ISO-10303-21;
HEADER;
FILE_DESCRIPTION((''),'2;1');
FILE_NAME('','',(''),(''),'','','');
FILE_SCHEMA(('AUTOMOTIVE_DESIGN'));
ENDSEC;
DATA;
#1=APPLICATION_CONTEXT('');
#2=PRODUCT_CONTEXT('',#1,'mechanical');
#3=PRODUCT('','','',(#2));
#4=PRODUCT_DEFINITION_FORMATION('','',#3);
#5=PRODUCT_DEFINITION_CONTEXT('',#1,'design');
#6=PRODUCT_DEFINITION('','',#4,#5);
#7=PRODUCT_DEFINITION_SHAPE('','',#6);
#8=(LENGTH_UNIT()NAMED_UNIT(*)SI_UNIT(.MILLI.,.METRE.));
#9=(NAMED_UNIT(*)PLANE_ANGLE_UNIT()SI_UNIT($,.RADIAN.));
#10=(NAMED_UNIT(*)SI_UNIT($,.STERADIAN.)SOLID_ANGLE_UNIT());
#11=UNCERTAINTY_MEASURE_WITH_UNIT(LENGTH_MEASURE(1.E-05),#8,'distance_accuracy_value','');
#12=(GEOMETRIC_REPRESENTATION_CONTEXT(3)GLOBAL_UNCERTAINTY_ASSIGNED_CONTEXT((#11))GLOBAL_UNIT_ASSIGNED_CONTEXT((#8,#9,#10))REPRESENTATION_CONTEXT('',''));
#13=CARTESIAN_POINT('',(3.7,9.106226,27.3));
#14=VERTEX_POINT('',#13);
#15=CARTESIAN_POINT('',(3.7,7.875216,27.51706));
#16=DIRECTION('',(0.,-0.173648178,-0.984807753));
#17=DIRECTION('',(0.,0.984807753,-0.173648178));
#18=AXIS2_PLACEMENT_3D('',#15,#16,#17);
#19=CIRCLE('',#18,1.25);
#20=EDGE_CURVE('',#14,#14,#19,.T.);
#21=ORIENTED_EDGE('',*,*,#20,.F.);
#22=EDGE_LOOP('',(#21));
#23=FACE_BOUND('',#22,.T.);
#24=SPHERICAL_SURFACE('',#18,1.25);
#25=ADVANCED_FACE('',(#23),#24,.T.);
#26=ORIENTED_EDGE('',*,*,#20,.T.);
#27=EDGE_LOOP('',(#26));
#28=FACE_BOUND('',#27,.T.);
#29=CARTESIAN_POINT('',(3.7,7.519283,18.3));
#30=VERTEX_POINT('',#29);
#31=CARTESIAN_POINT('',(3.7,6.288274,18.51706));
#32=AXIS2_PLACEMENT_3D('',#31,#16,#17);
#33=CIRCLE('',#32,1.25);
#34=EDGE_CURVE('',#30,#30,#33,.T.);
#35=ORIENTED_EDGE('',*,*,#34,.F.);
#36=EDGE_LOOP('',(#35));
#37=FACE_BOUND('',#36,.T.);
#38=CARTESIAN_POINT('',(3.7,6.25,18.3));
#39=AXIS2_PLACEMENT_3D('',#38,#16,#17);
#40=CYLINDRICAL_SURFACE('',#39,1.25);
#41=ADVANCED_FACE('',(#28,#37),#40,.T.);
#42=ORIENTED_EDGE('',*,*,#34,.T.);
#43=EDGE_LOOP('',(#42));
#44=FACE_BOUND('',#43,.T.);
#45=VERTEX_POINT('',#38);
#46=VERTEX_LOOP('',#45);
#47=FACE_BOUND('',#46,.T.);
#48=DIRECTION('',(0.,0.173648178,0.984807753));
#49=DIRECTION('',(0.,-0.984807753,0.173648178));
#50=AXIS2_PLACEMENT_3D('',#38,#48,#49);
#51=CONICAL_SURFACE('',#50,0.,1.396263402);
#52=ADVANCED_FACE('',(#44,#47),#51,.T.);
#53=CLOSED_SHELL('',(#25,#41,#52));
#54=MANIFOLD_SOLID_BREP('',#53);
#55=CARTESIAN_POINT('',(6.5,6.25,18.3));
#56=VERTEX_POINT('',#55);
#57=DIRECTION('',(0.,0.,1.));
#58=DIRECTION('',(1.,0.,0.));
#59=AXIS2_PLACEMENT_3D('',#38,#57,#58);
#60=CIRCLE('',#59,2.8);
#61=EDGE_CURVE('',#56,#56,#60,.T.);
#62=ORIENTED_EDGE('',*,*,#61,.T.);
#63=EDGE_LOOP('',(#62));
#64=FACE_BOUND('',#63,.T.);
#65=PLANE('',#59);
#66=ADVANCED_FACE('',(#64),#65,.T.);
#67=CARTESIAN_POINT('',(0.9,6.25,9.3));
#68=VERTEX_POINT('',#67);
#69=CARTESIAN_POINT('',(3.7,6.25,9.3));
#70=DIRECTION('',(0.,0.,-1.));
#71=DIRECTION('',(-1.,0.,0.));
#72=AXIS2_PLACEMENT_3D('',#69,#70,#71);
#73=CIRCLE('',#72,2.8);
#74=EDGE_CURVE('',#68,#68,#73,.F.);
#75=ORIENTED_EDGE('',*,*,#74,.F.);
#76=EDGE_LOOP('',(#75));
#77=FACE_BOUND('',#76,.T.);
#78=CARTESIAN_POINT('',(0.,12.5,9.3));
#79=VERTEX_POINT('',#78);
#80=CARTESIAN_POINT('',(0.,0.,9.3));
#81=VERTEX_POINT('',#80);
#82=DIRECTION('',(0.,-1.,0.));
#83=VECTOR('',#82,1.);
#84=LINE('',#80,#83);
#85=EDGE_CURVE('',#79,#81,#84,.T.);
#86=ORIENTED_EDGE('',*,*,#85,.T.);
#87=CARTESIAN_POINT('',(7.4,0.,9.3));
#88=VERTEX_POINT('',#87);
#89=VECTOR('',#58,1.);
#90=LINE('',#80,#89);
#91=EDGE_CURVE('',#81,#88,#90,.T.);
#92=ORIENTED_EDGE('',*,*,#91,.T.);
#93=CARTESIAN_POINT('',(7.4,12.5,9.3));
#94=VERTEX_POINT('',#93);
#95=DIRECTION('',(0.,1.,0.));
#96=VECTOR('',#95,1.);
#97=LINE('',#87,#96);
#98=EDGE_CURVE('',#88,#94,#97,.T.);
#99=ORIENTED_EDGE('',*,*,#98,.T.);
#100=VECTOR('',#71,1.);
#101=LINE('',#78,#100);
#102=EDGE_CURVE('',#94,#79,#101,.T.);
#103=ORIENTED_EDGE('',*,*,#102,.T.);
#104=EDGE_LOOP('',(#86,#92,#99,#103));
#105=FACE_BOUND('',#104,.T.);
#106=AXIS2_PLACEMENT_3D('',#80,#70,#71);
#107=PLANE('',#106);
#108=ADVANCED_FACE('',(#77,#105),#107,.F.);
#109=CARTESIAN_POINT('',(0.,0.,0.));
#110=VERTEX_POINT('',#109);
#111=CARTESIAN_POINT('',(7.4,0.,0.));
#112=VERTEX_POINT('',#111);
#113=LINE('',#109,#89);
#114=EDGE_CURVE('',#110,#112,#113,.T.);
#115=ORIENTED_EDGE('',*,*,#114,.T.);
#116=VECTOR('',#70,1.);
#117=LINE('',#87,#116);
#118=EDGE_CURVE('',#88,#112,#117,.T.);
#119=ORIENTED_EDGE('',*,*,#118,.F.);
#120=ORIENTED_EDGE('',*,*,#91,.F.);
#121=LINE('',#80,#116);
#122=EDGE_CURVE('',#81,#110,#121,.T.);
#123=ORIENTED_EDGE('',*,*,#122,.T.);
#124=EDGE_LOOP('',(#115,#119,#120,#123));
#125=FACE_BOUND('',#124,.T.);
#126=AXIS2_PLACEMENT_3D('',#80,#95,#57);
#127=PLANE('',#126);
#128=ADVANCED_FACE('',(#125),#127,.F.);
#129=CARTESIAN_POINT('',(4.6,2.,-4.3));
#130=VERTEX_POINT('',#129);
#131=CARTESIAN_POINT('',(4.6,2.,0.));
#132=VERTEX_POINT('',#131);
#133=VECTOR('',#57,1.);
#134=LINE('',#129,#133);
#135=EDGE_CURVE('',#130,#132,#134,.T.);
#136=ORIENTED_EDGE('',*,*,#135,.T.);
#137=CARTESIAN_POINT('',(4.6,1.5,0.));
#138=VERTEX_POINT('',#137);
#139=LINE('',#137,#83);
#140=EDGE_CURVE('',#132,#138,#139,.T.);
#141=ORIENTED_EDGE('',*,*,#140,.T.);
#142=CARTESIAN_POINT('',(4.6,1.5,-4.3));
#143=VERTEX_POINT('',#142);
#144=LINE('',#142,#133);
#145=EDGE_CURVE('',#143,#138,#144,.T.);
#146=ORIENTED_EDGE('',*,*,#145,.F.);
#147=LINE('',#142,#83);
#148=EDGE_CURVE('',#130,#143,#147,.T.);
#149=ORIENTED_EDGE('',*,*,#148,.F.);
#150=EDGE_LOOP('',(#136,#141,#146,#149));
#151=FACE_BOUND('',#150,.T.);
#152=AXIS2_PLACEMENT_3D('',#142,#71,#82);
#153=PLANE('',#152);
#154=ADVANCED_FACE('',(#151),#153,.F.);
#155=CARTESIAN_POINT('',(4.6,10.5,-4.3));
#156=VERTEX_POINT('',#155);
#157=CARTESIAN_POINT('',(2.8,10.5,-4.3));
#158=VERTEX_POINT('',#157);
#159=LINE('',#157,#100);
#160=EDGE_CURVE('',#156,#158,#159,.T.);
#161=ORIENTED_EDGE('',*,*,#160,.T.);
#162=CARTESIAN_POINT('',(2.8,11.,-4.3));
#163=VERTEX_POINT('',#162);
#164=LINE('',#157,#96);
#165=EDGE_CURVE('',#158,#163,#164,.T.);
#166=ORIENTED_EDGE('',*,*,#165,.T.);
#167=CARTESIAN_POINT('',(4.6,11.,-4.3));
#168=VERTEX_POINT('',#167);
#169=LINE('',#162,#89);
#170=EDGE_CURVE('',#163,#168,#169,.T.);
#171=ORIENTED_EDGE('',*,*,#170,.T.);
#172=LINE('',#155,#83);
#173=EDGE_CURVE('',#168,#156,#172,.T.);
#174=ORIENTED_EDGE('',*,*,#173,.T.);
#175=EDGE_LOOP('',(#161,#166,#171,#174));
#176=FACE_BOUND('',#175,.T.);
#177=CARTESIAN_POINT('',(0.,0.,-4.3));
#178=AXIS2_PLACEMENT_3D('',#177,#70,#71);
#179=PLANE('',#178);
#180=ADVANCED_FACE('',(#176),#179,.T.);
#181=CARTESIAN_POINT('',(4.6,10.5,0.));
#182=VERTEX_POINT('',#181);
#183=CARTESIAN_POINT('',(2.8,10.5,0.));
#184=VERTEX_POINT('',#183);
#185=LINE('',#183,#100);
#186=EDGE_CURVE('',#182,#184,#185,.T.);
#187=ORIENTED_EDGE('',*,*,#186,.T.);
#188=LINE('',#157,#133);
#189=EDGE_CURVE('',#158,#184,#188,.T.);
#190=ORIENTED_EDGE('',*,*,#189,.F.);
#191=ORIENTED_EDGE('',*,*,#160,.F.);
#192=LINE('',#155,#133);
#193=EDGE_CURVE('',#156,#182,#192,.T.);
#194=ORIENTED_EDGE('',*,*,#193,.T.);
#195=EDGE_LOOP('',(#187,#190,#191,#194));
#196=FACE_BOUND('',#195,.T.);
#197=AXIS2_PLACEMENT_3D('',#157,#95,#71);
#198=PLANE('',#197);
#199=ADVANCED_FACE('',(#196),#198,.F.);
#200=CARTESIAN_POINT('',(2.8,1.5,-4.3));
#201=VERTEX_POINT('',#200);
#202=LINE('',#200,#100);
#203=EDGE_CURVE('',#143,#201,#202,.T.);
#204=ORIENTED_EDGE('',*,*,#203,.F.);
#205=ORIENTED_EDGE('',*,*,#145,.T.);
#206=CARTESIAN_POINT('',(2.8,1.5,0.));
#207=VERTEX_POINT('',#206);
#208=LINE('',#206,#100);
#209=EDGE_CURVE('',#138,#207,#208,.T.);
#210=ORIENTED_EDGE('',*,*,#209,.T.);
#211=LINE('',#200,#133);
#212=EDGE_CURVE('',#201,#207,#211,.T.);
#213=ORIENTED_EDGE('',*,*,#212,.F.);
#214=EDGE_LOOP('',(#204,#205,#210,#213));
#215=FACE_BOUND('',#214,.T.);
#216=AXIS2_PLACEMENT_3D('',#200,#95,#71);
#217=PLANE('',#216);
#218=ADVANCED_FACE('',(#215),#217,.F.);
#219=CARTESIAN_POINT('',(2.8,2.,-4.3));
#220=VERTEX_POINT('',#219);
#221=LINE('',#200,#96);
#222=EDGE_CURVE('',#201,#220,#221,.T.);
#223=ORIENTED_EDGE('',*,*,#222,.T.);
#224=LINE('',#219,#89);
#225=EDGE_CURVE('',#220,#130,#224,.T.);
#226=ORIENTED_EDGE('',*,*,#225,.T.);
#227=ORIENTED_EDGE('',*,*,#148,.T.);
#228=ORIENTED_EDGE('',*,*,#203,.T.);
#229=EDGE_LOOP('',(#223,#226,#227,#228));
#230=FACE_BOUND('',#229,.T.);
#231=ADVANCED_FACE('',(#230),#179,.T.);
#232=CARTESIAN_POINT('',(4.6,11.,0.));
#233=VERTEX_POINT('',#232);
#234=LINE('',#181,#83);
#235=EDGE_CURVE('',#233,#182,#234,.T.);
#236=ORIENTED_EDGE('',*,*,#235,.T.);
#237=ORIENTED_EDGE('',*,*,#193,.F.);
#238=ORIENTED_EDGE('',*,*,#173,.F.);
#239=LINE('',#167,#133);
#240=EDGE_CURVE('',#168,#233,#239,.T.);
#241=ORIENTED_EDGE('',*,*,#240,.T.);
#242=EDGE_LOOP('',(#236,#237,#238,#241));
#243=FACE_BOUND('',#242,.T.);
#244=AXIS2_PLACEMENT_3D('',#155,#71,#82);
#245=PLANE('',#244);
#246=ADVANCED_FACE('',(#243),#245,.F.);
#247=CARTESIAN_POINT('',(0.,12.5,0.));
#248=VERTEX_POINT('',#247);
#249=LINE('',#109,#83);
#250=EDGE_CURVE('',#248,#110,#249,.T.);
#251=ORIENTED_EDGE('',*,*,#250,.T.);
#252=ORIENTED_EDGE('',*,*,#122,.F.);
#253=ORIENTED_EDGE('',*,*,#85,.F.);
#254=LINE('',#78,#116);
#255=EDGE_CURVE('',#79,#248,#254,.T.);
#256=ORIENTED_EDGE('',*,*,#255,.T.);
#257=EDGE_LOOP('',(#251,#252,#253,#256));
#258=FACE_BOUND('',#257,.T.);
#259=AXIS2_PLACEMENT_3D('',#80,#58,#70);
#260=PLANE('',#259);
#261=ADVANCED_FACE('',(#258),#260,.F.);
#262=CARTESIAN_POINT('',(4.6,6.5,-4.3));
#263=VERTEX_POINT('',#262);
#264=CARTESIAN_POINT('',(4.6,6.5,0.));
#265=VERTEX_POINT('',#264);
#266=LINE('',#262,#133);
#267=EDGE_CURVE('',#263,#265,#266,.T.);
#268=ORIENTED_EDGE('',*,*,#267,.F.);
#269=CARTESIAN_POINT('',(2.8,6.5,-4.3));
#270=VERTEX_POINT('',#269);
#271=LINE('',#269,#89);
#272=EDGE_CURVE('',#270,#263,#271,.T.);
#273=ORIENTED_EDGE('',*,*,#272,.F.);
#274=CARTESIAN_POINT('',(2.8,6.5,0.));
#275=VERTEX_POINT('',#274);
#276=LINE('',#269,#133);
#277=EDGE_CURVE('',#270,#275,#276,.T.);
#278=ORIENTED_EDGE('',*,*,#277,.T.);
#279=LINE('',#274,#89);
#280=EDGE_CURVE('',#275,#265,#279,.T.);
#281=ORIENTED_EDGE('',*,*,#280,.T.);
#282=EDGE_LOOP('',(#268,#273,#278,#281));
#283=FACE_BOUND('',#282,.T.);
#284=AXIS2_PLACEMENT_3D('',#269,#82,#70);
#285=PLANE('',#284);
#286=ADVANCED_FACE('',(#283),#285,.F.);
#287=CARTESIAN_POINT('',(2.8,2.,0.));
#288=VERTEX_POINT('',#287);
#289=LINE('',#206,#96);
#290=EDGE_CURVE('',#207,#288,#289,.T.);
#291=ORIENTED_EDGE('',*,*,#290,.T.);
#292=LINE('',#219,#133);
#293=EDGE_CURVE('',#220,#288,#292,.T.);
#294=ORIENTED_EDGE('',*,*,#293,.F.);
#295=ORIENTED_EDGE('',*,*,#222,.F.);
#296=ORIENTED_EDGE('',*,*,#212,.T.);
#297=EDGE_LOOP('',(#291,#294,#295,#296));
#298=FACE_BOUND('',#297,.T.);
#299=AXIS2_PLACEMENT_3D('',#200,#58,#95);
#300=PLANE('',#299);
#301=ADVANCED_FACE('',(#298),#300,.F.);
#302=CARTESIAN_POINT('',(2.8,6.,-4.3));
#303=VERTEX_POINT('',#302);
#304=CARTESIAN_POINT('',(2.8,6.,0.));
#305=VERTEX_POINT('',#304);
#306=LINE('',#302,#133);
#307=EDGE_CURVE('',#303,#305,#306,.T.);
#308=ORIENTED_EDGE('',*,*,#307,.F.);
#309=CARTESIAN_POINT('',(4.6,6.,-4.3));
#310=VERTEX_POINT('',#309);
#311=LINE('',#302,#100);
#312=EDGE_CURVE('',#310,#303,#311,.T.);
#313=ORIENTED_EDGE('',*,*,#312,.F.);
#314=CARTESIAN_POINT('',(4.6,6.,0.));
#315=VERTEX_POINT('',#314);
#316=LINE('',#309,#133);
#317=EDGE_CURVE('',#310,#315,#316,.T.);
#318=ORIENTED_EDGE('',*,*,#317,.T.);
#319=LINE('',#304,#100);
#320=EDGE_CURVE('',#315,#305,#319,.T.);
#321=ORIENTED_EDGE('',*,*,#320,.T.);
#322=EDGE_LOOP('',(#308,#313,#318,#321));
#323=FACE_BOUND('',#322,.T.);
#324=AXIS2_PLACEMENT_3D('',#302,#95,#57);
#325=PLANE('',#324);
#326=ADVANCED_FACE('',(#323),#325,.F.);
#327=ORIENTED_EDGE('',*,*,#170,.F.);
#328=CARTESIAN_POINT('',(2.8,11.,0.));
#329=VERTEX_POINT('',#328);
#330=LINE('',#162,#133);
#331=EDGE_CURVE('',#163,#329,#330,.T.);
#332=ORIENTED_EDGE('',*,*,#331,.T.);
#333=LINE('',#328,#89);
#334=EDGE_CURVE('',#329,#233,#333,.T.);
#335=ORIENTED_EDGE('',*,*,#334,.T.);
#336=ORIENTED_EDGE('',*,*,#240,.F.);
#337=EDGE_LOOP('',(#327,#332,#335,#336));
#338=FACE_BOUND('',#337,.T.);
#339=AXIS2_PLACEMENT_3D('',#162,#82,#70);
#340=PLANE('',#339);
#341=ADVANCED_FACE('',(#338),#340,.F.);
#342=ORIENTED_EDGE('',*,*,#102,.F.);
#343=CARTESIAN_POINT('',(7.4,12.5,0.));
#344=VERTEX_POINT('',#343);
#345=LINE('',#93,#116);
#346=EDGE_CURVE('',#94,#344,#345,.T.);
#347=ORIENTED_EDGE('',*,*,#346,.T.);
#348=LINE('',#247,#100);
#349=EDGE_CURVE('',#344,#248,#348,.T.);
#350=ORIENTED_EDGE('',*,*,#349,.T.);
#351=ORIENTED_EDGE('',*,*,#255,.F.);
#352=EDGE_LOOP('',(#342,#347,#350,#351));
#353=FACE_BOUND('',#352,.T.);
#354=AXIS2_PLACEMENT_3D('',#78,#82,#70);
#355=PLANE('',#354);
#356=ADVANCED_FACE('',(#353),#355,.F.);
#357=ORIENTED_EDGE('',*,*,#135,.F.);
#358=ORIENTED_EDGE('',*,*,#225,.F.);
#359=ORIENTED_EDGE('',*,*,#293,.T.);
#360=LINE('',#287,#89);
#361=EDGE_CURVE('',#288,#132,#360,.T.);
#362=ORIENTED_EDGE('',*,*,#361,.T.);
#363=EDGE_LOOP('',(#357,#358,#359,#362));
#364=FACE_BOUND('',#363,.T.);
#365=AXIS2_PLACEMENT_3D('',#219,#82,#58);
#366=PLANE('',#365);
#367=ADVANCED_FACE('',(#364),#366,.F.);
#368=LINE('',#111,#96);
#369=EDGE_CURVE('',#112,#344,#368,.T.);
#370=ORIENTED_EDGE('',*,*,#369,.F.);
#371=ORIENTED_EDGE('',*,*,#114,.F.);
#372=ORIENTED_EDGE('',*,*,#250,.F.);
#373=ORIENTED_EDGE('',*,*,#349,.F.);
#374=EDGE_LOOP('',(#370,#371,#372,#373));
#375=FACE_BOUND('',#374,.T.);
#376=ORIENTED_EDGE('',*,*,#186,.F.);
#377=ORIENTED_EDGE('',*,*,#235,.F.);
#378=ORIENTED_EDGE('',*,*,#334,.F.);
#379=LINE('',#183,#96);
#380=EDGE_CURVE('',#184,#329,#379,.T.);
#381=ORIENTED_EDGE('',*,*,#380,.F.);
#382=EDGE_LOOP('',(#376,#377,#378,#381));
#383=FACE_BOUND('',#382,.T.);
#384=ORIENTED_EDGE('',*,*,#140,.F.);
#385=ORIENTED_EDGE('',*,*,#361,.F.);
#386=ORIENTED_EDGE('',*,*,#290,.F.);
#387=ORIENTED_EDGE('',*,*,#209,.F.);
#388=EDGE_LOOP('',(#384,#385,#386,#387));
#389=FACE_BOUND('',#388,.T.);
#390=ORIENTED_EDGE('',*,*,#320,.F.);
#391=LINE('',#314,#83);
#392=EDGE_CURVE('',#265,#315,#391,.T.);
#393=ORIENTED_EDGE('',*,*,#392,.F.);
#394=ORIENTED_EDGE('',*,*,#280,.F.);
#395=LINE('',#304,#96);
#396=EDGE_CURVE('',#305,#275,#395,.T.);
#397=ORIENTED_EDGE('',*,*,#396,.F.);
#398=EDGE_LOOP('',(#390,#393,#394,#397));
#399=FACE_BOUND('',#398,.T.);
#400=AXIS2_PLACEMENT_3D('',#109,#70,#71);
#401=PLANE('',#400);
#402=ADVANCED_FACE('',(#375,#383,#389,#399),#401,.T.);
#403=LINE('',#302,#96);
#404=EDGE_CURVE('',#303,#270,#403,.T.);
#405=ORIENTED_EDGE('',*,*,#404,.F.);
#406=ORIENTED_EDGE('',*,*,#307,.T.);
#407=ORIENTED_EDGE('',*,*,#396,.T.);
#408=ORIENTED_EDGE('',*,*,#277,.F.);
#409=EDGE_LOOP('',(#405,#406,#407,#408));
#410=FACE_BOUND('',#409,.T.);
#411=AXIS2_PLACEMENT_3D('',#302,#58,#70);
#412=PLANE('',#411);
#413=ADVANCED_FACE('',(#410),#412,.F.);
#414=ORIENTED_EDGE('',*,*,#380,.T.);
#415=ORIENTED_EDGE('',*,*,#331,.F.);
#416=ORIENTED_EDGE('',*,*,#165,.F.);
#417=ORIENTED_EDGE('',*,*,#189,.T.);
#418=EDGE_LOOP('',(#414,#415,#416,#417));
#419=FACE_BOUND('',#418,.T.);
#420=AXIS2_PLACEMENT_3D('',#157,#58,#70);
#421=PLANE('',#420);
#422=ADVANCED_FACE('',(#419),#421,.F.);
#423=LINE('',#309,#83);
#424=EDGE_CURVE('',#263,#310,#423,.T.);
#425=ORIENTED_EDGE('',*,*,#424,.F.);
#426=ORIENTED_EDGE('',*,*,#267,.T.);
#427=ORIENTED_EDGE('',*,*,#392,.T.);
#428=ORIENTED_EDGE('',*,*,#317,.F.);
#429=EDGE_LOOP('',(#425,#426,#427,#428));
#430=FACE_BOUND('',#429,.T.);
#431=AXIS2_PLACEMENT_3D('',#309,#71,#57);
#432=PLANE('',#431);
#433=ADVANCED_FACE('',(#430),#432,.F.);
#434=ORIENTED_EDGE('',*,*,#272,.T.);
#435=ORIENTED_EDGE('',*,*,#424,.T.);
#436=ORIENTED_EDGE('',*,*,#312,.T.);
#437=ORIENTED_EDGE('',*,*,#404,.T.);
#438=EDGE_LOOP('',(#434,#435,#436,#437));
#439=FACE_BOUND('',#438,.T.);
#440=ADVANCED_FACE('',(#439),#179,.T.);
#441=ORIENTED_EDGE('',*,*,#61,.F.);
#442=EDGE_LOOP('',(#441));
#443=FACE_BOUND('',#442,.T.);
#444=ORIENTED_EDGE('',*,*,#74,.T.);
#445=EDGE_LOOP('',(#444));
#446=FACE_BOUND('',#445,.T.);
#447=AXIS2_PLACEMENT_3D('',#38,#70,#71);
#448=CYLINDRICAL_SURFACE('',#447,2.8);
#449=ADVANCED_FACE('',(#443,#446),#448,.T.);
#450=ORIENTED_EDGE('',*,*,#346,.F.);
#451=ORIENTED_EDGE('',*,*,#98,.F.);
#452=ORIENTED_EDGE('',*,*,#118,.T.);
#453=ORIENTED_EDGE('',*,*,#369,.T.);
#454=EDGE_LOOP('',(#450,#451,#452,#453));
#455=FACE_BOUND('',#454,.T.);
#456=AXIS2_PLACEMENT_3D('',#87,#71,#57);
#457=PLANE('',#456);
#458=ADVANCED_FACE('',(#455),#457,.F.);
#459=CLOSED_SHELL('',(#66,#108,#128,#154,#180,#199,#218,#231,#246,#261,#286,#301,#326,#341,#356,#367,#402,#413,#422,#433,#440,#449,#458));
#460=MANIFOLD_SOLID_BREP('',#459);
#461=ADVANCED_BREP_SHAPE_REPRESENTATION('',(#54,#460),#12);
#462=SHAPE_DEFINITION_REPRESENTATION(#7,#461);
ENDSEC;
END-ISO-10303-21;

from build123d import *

# Parameters (mm, degrees)
ESQUISSE1_W        = 7.4
ESQUISSE1_H        = 12.5
BOSS_EXTRU_1_DEPTH = 9.3
ESQUISSE2_W        = 1.8
ESQUISSE2_H        = 0.5
BOSS_EXTRU_2_DEPTH = 4.3
ESQUISSE3_R        = 2.8
BOSS_EXTRU_3_DEPTH = 9


with BuildPart() as part:
    # Esquisse1 → Boss.-Extru.1 (new body)
    with BuildSketch(Plane.XY):
        with Locations((3.7, 6.25)):
            Rectangle(ESQUISSE1_W, ESQUISSE1_H)
    extrude(amount=BOSS_EXTRU_1_DEPTH)

    # Esquisse2 → Boss.-Extru.2 (add)
    with BuildSketch(Plane(origin=(0, 0, 0), x_dir=(-1, 0, 0), z_dir=(0, 0, -1))):
        with Locations((-3.7, 1.75)):
            Rectangle(ESQUISSE2_W, ESQUISSE2_H)
        with Locations((-3.7, 6.25)):
            Rectangle(ESQUISSE2_W, ESQUISSE2_H)
        with Locations((-3.7, 10.75)):
            Rectangle(ESQUISSE2_W, ESQUISSE2_H)
    extrude(amount=BOSS_EXTRU_2_DEPTH)

    # Esquisse3 → Boss.-Extru.3 (add)
    with BuildSketch(Plane.XY.offset(9.3)):
        with Locations(Location((3.7, 6.25, 0), (0, 0, 180))):
            Circle(ESQUISSE3_R)
    extrude(amount=BOSS_EXTRU_3_DEPTH)


with BuildPart() as body_2:
    # Esquisse4 → Révolution1 (revolve)
    with BuildSketch(Plane(origin=(3.7, 0, 0), x_dir=(0, 0, -1), z_dir=(1, 0, 0))):
        with BuildLine():
            Line((-18.3, 6.25), (-18.3, 7.519283265))
            Line((-18.3, 7.519283265), (-27.3, 9.106226091))
            ThreePointArc((-27.3, 9.106226091), (-28.234030768, 8.899156455), (-28.748069913, 8.092276622))
            Line((-28.748069913, 8.092276622), (-18.3, 6.25))
        make_face()
    revolve(axis=Axis((3.7, 6.25, 18.3), (0, 0.17364817766693066, 0.984807753012208)))


solid = Compound([part.part, body_2.part])
